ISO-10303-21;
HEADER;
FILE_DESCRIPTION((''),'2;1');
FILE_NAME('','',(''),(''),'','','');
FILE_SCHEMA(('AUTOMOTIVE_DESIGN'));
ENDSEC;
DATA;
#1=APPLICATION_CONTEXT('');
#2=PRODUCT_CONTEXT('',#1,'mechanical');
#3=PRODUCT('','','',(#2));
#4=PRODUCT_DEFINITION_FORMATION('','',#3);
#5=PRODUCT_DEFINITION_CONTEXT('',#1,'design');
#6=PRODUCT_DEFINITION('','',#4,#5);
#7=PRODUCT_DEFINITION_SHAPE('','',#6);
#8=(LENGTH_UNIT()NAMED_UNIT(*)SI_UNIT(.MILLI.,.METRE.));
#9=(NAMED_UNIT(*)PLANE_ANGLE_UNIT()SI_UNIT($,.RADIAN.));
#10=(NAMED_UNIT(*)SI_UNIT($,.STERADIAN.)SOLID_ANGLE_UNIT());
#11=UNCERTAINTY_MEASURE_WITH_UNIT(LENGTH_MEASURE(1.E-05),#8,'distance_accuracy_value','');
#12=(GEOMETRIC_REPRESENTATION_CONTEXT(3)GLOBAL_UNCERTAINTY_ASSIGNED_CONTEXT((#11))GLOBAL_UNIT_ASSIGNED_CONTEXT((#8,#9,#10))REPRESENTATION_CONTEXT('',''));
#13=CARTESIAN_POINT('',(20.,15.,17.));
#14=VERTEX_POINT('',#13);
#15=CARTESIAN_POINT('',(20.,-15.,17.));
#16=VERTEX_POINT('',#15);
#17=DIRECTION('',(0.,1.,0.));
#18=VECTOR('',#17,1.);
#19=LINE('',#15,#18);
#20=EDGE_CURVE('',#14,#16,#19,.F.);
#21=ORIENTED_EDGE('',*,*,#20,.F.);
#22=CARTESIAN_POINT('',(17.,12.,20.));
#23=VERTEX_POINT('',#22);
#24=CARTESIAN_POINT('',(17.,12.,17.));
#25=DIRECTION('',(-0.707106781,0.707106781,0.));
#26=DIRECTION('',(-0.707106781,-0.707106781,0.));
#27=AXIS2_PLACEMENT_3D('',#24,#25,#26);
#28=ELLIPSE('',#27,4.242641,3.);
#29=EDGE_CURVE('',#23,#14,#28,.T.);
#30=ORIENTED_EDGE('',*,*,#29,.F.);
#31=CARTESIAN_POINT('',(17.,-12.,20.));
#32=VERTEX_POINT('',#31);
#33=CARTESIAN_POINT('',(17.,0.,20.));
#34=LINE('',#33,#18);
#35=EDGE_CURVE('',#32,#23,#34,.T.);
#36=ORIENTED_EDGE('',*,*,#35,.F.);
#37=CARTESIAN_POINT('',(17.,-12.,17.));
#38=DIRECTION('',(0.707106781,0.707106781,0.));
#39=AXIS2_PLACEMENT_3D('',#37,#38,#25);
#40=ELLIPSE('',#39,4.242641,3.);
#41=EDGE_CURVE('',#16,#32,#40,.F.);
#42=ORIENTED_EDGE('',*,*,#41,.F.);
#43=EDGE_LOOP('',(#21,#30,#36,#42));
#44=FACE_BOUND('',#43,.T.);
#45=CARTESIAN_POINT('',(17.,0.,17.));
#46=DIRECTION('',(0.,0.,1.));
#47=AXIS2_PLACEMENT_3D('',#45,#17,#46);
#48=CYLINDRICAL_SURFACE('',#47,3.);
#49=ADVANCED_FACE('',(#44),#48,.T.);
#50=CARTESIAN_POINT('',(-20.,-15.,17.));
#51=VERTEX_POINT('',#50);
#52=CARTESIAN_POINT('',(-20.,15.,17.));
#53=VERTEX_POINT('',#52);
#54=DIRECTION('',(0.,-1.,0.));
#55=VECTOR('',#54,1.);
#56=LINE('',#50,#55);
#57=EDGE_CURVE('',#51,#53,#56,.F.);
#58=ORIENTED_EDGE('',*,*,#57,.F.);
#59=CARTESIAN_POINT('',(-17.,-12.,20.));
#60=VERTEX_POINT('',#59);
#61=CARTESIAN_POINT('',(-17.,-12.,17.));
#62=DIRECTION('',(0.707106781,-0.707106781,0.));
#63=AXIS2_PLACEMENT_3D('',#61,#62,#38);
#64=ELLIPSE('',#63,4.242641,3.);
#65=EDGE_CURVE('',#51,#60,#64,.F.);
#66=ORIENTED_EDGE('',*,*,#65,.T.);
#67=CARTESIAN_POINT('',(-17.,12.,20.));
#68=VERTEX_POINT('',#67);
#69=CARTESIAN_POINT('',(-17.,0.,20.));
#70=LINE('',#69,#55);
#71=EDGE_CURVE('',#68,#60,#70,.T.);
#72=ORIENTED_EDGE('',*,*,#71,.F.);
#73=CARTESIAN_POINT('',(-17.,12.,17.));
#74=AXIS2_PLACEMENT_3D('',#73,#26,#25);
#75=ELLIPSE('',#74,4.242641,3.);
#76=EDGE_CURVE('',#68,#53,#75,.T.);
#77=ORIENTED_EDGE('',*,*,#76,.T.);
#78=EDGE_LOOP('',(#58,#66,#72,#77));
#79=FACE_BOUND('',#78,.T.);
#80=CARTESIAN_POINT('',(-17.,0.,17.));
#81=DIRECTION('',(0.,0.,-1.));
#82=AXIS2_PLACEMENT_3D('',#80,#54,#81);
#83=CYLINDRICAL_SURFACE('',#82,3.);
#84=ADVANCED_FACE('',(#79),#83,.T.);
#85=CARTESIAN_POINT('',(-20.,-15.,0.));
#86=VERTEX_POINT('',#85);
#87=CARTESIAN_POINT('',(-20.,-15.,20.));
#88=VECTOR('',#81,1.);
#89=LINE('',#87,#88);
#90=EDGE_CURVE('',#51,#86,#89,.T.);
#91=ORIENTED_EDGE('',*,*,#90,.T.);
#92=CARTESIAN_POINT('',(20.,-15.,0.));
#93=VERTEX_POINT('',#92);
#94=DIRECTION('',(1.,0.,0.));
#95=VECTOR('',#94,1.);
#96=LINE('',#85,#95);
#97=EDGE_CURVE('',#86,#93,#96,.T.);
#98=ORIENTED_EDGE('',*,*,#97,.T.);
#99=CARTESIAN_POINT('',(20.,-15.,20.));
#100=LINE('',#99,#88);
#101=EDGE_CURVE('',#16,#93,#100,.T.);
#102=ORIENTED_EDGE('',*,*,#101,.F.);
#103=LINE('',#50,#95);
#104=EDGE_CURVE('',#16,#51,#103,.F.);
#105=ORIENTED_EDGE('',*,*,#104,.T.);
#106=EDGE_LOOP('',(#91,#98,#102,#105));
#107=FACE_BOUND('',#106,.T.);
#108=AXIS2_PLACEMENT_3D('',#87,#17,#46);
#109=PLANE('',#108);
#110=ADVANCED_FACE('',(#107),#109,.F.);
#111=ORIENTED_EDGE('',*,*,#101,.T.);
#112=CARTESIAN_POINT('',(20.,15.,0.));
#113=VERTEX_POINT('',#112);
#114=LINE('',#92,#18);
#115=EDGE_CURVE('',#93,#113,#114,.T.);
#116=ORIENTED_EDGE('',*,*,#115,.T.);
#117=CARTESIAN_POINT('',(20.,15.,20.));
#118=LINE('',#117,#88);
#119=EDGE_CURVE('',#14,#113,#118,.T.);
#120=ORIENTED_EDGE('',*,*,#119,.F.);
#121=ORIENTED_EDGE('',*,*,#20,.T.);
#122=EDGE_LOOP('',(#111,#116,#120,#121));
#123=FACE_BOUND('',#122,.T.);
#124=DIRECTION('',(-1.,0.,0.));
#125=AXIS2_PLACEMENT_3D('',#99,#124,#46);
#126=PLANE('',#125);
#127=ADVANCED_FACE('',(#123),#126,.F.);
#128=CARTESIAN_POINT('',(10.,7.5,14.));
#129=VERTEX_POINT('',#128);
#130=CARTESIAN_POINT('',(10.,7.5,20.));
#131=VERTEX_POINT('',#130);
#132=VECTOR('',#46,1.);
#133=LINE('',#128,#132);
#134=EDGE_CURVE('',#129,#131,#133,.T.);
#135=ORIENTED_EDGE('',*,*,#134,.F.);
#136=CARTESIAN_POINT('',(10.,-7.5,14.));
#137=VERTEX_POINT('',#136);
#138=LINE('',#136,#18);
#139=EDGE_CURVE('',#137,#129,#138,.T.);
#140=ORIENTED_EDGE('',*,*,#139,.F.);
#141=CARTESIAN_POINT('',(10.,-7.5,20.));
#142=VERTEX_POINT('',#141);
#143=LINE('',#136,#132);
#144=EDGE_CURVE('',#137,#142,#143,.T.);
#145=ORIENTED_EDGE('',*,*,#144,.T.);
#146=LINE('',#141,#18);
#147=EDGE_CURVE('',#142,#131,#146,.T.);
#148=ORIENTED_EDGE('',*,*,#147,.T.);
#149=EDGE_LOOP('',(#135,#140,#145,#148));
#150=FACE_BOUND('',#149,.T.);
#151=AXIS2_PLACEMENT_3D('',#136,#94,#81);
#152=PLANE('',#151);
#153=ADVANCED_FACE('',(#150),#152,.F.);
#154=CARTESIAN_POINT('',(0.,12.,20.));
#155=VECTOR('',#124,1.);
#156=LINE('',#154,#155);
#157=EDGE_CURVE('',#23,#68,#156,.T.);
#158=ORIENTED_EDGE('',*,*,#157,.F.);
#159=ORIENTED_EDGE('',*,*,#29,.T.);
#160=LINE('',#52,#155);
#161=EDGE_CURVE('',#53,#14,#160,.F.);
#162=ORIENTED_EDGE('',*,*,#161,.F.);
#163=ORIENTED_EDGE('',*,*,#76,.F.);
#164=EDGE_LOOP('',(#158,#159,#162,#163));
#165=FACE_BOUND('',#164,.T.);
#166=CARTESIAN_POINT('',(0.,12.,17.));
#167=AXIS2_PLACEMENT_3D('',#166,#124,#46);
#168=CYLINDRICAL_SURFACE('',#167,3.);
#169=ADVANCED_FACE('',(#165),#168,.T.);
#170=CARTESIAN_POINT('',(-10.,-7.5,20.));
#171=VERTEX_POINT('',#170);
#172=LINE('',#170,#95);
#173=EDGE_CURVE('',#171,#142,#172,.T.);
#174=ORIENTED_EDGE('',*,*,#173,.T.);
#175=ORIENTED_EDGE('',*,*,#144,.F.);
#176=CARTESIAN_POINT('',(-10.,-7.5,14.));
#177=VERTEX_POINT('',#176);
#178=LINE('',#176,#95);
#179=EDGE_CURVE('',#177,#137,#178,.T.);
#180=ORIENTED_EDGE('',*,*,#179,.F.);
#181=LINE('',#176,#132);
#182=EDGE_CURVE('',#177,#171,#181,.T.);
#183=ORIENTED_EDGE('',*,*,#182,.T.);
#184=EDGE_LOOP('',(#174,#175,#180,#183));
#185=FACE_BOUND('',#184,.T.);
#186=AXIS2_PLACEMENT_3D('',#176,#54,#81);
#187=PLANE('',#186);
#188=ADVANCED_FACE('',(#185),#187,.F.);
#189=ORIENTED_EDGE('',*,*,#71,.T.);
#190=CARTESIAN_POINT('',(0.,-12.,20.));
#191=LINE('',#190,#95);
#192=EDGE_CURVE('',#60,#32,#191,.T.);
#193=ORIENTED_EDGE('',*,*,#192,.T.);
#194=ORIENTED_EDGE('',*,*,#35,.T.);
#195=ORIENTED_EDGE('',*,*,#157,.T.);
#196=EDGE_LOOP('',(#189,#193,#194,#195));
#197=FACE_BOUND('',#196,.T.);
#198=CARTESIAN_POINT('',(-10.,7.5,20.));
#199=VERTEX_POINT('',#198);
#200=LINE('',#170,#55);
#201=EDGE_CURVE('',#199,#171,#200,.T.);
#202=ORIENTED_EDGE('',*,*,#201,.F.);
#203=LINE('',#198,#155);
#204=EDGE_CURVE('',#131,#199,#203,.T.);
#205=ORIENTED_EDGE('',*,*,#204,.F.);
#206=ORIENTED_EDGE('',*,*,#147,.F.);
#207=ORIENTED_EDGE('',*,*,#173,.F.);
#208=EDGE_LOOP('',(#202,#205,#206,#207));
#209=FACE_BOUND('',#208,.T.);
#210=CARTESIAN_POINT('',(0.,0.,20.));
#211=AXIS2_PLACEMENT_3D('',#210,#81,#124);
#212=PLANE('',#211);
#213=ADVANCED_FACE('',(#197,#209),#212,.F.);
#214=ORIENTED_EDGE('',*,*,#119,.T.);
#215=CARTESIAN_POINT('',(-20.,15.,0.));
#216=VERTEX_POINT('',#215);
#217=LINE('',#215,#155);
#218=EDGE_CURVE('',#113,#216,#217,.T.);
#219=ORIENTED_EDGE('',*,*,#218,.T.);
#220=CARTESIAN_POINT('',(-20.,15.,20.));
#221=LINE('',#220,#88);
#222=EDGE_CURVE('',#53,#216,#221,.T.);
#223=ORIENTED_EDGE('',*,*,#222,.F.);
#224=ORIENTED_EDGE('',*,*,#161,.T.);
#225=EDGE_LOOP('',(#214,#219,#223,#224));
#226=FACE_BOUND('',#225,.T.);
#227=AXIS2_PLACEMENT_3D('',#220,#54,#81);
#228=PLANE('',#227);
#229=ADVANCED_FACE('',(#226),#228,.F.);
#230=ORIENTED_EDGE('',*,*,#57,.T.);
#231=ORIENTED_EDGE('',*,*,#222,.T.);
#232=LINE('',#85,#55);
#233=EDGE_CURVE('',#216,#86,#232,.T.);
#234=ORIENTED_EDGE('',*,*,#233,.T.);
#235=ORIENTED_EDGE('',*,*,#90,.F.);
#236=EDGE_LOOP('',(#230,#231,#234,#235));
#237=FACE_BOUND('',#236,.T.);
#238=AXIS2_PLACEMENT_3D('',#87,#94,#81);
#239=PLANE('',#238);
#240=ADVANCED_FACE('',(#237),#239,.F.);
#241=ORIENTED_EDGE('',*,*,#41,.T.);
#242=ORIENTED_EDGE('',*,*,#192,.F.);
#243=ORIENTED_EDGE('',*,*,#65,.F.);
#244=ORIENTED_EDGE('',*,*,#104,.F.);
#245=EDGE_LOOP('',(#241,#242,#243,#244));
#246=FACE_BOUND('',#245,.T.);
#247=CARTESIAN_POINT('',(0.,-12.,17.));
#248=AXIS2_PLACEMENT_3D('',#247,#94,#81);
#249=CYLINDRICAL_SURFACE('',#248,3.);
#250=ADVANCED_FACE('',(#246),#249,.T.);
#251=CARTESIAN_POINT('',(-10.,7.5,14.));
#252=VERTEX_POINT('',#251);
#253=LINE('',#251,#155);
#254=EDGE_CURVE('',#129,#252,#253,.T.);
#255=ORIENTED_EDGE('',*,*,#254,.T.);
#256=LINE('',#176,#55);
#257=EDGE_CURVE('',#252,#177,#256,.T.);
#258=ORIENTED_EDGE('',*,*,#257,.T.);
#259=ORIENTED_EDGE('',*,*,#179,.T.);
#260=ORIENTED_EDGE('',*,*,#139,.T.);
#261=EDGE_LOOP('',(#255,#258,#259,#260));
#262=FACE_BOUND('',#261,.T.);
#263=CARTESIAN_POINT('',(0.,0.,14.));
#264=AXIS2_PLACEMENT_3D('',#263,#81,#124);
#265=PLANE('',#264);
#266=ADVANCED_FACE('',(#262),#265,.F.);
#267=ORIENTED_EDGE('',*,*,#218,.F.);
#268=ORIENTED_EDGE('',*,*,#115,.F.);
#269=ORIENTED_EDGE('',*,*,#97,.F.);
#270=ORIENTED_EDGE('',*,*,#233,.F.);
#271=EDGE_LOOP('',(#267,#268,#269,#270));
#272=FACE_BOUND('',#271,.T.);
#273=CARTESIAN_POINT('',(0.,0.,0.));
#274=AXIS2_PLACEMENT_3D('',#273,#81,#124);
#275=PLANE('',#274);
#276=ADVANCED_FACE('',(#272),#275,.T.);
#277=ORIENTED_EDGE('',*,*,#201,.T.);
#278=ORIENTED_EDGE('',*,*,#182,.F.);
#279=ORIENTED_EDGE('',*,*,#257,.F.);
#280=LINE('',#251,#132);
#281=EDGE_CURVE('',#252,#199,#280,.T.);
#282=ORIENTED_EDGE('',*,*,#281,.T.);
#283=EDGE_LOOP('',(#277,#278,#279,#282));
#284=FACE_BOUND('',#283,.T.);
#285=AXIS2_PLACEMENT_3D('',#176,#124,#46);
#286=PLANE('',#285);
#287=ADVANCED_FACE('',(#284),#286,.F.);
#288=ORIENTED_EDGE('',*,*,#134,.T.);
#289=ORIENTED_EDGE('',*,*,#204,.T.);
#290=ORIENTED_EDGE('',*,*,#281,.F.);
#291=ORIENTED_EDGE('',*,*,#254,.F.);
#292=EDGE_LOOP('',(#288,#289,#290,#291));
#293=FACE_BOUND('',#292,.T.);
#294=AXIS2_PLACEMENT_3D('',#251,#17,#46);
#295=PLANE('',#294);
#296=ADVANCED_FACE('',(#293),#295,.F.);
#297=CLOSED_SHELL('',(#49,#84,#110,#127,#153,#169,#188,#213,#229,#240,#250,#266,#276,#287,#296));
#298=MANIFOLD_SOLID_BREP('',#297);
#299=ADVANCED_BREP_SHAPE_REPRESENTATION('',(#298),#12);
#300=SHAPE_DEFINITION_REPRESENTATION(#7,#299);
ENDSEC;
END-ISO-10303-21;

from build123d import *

# Parameters (mm, degrees)
SKETCH_1_W      = 40
SKETCH_1_H      = 30
M0_BOSS_DEPTH   = 20
SKETCH_2_W      = 20
SKETCH_2_H      = 15
M0_POCKET_DEPTH = 6
M0_TOPR3_R      = 3


with BuildPart() as part:
    # ｽｹｯﾁ1 → M0_Boss (new body)
    with BuildSketch(Plane.XY):
        Rectangle(SKETCH_1_W, SKETCH_1_H)
    extrude(amount=M0_BOSS_DEPTH)

    # ｽｹｯﾁ2 → M0_Pocket (cut)
    with BuildSketch(Plane.XY.offset(20)):
        Rectangle(SKETCH_2_W, SKETCH_2_H)
    extrude(amount=-M0_POCKET_DEPTH, mode=Mode.SUBTRACT)

    # M0_TopR3
    m0_topr3_edges = [part.edges().sort_by_distance(p)[0] for p in [
        (20, 0, 20),
        (0, 15, 20),
        (-20, 0, 20),
        (0, -15, 20),
    ]]
    fillet(m0_topr3_edges, radius=M0_TOPR3_R)


solid = part.part
